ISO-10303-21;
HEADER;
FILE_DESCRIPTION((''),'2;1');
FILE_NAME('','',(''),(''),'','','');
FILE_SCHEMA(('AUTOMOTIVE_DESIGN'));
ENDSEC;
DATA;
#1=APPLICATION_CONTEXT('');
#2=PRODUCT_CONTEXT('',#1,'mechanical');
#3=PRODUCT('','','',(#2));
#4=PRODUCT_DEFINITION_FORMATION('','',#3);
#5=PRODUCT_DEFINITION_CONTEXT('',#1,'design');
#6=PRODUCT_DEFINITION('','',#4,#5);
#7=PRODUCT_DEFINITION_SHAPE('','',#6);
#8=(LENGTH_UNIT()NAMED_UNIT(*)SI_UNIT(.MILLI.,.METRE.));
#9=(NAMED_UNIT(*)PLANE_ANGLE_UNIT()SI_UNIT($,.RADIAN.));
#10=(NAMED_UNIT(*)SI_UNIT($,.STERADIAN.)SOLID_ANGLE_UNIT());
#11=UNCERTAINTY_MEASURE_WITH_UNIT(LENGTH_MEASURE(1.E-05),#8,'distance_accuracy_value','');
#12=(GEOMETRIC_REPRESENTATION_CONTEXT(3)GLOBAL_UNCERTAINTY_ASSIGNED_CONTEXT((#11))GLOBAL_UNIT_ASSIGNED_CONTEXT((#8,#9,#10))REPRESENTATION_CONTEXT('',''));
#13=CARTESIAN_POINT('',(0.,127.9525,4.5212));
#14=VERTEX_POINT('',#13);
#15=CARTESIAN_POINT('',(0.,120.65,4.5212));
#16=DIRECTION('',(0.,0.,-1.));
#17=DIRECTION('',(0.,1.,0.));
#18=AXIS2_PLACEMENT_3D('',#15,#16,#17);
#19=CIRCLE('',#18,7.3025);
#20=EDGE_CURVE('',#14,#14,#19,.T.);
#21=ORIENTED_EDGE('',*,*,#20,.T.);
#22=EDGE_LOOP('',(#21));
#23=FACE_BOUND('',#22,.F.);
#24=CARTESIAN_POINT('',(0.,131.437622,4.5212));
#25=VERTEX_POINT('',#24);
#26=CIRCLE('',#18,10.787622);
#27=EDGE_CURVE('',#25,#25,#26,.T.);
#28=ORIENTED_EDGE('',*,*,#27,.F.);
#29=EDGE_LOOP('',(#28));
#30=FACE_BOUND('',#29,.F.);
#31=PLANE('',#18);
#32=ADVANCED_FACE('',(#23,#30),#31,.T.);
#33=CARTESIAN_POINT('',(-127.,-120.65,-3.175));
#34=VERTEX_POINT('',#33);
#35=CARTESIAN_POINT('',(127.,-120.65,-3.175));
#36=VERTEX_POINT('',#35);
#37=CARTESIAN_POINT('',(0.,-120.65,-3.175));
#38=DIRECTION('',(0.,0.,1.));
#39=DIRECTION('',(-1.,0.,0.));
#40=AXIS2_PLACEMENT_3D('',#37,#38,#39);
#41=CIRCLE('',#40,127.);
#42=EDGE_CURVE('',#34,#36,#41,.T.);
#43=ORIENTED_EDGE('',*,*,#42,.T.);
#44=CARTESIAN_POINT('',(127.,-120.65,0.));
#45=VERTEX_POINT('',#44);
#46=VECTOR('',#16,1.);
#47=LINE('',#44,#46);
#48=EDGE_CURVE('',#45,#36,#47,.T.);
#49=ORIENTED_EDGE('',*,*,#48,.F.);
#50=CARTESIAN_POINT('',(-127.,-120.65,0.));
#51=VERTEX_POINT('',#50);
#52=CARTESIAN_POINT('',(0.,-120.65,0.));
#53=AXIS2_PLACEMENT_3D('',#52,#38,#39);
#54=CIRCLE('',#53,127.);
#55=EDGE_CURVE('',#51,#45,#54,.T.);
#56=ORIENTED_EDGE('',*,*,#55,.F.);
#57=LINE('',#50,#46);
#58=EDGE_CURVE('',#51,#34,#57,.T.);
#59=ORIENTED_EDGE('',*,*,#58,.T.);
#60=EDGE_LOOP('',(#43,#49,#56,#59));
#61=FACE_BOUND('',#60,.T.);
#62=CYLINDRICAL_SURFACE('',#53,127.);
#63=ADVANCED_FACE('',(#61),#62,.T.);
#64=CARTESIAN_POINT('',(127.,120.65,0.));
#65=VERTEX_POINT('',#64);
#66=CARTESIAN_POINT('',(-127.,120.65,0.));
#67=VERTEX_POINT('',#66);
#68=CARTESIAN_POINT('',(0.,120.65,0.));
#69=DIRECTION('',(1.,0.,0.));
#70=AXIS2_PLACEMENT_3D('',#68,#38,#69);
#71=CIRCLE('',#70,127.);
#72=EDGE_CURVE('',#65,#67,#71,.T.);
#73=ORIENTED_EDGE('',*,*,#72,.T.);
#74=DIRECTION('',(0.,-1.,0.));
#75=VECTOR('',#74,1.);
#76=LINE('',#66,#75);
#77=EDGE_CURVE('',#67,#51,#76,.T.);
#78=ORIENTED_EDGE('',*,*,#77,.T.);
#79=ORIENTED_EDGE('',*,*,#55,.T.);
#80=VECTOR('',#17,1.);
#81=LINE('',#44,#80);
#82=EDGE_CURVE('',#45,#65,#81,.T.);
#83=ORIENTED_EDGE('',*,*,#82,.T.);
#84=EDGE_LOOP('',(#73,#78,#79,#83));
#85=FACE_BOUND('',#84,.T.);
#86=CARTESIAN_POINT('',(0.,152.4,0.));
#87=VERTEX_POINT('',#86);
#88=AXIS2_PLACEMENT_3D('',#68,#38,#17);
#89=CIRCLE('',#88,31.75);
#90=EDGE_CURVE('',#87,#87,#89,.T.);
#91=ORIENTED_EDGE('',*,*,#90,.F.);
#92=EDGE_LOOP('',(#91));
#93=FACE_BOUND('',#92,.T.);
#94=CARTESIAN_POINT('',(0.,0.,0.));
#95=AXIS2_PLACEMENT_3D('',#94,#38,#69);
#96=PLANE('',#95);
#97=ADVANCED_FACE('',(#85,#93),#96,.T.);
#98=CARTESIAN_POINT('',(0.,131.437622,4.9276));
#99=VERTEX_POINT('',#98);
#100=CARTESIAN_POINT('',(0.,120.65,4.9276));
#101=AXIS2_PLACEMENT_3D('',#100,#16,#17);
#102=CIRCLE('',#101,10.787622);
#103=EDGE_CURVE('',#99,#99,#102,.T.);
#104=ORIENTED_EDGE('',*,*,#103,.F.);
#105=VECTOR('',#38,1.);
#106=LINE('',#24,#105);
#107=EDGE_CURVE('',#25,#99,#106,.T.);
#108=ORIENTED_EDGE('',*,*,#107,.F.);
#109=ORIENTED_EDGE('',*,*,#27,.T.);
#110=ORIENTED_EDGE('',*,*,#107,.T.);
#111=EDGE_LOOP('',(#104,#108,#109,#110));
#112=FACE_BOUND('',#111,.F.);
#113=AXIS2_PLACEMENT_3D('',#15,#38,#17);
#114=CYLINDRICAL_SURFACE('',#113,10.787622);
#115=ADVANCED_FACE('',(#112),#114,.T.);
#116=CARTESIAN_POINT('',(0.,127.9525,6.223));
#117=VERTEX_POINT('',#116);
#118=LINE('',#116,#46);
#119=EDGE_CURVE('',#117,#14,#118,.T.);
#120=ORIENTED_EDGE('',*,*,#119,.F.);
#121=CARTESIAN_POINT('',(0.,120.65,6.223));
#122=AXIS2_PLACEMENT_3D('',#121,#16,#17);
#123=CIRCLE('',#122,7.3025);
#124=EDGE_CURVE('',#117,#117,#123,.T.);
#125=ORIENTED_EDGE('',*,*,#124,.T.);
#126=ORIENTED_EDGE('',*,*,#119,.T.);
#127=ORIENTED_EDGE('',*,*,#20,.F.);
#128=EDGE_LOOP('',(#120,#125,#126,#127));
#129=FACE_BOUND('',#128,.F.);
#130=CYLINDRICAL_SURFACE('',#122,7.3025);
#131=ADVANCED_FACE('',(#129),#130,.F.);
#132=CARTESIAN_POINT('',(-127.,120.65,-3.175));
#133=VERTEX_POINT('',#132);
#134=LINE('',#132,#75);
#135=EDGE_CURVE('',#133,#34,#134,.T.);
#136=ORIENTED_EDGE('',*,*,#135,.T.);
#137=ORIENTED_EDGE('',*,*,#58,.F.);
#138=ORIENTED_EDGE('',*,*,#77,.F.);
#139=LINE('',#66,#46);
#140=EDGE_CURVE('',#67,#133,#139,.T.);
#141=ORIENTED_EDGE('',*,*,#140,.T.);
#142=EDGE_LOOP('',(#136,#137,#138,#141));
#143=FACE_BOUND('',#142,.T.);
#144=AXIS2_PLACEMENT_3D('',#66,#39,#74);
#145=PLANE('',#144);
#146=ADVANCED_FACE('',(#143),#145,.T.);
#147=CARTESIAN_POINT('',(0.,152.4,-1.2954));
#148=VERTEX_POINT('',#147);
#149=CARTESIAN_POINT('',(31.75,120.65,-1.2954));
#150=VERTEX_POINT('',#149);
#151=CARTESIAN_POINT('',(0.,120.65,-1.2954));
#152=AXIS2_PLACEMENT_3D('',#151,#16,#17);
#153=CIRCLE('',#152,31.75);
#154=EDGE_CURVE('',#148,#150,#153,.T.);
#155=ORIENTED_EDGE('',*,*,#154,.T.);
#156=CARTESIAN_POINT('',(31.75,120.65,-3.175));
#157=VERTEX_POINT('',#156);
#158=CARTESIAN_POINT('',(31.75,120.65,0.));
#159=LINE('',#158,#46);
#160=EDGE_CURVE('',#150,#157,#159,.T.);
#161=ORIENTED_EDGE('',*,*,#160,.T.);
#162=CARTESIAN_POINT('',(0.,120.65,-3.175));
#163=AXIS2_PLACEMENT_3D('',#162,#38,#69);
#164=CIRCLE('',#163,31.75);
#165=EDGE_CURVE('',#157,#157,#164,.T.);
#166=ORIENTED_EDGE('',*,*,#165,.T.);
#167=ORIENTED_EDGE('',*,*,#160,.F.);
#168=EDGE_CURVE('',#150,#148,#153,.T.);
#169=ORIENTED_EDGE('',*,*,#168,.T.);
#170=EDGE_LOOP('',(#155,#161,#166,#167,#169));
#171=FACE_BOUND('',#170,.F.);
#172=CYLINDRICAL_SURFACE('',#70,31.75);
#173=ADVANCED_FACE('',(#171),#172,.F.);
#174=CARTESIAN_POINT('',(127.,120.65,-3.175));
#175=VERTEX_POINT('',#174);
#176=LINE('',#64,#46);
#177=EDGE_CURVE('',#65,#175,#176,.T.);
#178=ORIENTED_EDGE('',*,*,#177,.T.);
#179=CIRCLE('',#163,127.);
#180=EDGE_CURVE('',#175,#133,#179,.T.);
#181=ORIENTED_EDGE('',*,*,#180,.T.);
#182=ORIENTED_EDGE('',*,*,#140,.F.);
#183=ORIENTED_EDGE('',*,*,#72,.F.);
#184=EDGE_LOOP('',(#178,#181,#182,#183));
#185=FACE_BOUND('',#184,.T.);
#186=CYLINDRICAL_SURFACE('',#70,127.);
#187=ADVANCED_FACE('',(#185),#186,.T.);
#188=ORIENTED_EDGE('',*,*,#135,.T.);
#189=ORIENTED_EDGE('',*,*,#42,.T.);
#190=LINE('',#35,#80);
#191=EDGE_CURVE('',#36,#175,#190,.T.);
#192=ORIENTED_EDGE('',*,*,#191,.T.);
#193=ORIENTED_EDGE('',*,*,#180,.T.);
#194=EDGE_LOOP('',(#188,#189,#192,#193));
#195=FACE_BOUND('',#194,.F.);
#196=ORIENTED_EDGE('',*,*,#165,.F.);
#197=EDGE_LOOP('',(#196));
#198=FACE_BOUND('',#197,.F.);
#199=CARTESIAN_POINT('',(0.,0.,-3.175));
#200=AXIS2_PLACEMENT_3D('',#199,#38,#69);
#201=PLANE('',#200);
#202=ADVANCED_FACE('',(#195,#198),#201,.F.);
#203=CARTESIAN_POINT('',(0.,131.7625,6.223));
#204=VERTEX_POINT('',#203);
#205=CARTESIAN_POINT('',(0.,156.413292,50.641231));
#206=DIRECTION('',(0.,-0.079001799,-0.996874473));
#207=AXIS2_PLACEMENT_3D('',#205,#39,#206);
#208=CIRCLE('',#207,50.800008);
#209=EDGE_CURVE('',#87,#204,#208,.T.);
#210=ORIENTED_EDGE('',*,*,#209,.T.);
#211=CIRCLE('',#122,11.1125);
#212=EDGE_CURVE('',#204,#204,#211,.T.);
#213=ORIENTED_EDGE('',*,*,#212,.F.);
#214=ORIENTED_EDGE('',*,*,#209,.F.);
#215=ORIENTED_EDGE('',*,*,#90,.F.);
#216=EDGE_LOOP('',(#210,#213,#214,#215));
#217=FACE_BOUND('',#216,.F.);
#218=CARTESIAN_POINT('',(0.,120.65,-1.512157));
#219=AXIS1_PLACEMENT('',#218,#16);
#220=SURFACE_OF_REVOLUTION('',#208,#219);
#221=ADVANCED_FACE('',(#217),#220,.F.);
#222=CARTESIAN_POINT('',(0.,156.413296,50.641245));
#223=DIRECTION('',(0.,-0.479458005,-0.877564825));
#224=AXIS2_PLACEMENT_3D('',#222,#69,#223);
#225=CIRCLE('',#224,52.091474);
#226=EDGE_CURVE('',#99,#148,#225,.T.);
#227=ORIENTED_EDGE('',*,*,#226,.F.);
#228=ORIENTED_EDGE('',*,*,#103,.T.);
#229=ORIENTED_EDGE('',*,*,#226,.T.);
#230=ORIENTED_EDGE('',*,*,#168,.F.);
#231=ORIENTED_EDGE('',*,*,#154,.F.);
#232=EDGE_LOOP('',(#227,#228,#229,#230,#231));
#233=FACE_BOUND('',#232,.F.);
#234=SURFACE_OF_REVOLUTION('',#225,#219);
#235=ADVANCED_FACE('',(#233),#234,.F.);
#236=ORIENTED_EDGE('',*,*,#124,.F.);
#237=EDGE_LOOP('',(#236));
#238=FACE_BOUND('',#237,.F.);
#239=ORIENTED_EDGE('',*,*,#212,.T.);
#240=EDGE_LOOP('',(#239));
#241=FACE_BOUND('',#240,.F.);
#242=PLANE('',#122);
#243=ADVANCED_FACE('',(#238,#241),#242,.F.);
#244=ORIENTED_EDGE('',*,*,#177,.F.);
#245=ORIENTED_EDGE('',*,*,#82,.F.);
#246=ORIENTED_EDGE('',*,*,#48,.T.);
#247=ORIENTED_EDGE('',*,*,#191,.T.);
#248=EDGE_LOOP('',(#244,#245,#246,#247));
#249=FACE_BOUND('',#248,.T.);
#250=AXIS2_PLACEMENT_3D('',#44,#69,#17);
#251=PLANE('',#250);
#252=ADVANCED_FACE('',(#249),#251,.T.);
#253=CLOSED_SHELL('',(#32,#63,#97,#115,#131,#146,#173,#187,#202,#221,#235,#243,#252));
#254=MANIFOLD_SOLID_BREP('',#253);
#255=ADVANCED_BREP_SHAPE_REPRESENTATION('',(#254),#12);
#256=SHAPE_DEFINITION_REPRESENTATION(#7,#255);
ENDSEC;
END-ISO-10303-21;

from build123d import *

# Parameters (mm, degrees)
F1_R     = 31.75
F3_DEPTH = 3.175


with BuildPart() as f3:
    # F1 (on Top) → F3 (new body)
    with BuildSketch(Plane.XY):
        with BuildLine():
            Line((127, -120.65), (127, 120.65))
            ThreePointArc((127, 120.65), (0, 247.65), (-127, 120.65))
            Line((-127, 120.65), (-127, -120.65))
            ThreePointArc((-127, -120.65), (0, -247.65), (127, -120.65))
        make_face()
        with Locations((0, -120.65)):
            Circle(F1_R, mode=Mode.SUBTRACT)
        with Locations((0, 120.65)):
            Circle(F1_R, mode=Mode.SUBTRACT)
        with Locations((0, -120.65)):
            Circle(F1_R)
    extrude(amount=-F3_DEPTH)

    # F2 (on Right) → F4 (revolve)
    with BuildSketch(Plane.YZ):
        with BuildLine():
            ThreePointArc((152.4, 0), (141.747384, 2.004291), (131.7625, 6.223))
            Line((131.7625, 6.223), (127.9525, 6.223))
            Line((127.9525, 6.223), (127.9525, 4.5212))
            Line((127.9525, 4.5212), (131.437622, 4.5212))
            Line((131.437622, 4.5212), (131.437622, 4.9276))
            ThreePointArc((131.437622, 4.9276), (141.588603, 0.703783), (152.4, -1.2954))
            Line((152.4, -1.2954), (152.4, 0))
        make_face()
    revolve(axis=Axis((0, 120.65, -1.512157), (0, 0, -1)))


solid = f3.part
